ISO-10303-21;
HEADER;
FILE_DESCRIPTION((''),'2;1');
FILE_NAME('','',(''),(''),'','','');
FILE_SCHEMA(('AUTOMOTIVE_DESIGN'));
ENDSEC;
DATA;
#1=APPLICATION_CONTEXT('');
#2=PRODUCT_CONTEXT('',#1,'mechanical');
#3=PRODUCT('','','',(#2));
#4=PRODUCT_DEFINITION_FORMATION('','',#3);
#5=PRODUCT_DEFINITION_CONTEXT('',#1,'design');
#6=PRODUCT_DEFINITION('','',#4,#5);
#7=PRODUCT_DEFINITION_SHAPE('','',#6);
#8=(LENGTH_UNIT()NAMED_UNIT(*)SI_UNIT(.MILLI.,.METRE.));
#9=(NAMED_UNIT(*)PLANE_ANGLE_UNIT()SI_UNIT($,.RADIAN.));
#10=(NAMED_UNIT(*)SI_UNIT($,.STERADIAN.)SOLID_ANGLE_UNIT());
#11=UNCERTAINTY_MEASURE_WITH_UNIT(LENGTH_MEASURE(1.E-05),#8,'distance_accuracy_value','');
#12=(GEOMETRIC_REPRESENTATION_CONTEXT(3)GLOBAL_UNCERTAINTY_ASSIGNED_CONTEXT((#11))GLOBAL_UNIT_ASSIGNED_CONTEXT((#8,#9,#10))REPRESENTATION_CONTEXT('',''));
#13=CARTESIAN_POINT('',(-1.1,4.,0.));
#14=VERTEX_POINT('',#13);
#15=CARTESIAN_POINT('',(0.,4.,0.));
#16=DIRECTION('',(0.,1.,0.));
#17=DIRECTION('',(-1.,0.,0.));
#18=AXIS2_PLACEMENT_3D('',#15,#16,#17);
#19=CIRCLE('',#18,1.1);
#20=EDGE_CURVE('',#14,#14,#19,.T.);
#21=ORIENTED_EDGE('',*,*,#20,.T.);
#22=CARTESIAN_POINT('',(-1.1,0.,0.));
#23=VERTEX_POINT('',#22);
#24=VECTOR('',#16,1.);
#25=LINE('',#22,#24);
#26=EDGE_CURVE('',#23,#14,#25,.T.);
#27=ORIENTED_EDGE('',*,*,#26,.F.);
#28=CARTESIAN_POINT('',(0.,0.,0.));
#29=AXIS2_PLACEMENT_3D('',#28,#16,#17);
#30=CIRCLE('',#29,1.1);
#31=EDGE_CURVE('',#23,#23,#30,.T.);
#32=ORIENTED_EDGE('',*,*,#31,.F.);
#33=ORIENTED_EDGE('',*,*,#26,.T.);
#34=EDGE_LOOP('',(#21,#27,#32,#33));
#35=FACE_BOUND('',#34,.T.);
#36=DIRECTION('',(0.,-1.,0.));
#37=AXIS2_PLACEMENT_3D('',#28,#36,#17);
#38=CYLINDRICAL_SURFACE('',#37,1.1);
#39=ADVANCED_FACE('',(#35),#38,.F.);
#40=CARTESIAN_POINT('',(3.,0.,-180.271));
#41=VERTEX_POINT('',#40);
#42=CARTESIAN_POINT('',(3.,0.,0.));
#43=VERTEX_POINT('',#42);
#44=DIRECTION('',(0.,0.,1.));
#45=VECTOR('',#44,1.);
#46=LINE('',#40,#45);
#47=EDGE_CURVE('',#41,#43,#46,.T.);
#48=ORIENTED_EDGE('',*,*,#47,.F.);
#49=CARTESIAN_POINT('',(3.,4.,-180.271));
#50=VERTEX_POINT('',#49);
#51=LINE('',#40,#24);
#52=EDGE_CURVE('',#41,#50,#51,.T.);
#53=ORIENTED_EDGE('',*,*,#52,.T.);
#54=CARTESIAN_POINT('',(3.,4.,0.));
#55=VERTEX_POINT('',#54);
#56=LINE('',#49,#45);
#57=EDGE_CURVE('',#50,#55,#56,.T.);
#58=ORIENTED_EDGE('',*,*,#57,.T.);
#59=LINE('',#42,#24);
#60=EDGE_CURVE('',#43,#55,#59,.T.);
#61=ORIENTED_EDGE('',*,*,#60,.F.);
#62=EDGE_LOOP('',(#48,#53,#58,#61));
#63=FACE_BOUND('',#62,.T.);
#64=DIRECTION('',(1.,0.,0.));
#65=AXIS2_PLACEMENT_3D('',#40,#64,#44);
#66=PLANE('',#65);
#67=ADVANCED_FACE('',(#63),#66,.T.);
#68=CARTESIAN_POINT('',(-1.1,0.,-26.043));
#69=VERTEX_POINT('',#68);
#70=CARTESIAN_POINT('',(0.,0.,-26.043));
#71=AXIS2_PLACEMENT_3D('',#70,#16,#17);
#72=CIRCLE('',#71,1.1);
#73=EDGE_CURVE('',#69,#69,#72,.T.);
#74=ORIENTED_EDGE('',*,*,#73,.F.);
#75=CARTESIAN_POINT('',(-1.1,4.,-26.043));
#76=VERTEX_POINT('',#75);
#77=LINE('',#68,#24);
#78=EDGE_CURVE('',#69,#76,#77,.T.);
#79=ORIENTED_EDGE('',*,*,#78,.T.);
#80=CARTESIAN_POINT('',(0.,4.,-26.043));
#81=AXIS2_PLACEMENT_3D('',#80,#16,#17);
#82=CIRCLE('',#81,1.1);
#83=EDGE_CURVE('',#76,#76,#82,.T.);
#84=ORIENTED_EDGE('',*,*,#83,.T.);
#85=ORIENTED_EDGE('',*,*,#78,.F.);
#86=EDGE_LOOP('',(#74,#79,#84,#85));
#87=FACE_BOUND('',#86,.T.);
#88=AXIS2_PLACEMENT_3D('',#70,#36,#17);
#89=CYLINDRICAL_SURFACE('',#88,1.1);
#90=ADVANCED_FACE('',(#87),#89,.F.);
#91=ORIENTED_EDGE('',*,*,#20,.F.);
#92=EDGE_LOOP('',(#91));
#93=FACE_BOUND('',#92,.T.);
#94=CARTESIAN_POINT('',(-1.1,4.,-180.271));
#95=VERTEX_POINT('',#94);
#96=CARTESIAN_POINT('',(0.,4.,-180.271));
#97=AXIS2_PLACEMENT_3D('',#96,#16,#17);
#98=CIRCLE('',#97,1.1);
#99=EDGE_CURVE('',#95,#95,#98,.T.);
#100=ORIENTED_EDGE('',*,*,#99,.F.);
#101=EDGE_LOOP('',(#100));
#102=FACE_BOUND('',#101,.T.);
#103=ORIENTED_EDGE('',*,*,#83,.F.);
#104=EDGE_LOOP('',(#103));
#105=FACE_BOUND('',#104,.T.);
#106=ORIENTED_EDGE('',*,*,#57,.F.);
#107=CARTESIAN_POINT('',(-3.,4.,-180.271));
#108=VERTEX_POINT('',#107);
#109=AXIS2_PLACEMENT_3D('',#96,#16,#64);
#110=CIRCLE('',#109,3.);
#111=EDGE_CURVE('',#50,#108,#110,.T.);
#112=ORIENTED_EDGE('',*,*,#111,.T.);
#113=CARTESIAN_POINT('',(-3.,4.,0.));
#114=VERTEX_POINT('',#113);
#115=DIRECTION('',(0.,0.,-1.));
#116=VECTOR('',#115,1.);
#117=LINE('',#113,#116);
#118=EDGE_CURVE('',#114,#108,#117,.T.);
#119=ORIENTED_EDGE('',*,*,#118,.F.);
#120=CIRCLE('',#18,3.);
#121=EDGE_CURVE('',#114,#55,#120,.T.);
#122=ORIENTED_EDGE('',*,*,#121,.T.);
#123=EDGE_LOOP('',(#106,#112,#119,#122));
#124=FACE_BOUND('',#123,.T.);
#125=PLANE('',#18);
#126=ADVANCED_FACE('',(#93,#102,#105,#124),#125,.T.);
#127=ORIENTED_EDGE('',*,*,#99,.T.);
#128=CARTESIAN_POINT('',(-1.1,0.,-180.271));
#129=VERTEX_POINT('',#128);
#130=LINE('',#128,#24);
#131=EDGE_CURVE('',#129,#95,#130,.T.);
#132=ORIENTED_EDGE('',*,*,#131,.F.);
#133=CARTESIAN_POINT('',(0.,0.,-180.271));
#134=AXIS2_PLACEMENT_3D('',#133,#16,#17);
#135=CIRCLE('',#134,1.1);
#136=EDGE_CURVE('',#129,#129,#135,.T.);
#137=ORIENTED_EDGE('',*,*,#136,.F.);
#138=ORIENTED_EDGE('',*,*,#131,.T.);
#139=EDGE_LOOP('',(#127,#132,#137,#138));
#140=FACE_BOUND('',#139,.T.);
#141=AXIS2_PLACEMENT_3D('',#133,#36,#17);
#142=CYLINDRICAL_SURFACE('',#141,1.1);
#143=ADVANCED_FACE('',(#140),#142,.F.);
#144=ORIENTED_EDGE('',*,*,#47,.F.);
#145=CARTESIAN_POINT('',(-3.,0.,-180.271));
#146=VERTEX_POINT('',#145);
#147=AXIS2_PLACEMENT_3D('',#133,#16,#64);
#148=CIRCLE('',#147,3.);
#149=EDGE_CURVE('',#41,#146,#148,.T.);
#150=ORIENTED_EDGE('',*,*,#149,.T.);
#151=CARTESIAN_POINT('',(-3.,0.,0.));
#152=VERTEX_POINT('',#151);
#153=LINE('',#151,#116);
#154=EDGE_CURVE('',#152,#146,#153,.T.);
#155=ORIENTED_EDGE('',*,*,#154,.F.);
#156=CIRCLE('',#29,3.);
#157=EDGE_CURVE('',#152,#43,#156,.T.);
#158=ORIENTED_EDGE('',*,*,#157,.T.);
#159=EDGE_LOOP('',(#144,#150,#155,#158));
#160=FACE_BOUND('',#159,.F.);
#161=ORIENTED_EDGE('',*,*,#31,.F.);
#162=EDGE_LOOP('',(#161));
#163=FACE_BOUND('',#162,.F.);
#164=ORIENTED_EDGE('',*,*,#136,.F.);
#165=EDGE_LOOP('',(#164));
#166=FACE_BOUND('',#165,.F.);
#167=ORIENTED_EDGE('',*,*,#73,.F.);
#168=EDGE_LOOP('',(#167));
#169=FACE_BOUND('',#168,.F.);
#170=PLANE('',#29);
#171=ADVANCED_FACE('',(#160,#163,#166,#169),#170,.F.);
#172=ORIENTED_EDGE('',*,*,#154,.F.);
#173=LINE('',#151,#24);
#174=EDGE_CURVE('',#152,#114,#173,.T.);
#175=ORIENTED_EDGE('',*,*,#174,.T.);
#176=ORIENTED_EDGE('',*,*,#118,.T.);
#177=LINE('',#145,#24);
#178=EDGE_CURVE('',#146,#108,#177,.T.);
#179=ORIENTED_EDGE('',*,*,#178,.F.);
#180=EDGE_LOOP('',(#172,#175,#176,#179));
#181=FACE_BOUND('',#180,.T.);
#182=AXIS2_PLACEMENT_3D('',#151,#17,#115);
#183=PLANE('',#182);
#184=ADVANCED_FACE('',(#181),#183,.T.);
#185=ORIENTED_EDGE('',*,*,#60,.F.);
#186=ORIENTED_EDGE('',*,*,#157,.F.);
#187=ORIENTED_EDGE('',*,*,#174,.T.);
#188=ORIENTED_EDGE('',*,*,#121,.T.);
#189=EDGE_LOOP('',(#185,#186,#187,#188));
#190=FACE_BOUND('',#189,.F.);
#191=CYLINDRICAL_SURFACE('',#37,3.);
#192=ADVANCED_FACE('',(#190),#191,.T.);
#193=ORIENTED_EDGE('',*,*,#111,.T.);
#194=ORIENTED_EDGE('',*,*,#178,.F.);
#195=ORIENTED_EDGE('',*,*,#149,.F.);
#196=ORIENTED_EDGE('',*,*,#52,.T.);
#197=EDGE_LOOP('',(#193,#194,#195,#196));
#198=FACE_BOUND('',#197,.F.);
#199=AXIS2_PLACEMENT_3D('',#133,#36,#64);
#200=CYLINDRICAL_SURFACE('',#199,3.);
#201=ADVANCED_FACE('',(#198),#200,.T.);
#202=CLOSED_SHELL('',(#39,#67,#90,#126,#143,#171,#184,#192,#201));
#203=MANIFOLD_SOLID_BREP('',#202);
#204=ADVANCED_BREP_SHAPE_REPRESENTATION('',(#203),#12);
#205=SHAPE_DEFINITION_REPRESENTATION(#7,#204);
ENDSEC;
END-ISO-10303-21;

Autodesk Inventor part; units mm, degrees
ref_plane "YZ Plane" through (0, 0, 0) normal (1, 0, 0) x (0, 1, 0)
ref_plane "XZ Plane" through (0, 0, 0) normal (0, 1, 0) x (-1, 0, 0)
ref_plane "XY Plane" through (0, 0, 0) normal (0, 0, 1) x (1, 0, 0)
sketch "Sketch1" plane through (0, 0, 0) normal (0, 1, 0) x (-1, 0, 0)
  line L0 (0, 0) -> (0, -180.271) construction
  line L1 (3, 0) -> (3, -180.271)
  line L2 (-3, -180.271) -> (-3, 0)
  arc A0 (3, 0) -> (-3, 0) centre (0, 0) ccw
  arc A1 (-3, -180.271) -> (3, -180.271) centre (0, -180.271) ccw
  circle A2 centre (0, 0) radius 1.1
  circle A3 centre (0, -180.271) radius 1.1
  circle A4 centre (0, -26.043) radius 1.1
  point P0 (0, -90.1355)
  dimension "d0" = 2.2
  dimension "d1" = 2.2
  dimension "d2" = 6
  dimension "d3" = 180.271
  dimension "d14" = 2.2
  dimension "d15" = 26.043
extrude "Extrusion1" add sketch "Sketch1" along normal blind 4
